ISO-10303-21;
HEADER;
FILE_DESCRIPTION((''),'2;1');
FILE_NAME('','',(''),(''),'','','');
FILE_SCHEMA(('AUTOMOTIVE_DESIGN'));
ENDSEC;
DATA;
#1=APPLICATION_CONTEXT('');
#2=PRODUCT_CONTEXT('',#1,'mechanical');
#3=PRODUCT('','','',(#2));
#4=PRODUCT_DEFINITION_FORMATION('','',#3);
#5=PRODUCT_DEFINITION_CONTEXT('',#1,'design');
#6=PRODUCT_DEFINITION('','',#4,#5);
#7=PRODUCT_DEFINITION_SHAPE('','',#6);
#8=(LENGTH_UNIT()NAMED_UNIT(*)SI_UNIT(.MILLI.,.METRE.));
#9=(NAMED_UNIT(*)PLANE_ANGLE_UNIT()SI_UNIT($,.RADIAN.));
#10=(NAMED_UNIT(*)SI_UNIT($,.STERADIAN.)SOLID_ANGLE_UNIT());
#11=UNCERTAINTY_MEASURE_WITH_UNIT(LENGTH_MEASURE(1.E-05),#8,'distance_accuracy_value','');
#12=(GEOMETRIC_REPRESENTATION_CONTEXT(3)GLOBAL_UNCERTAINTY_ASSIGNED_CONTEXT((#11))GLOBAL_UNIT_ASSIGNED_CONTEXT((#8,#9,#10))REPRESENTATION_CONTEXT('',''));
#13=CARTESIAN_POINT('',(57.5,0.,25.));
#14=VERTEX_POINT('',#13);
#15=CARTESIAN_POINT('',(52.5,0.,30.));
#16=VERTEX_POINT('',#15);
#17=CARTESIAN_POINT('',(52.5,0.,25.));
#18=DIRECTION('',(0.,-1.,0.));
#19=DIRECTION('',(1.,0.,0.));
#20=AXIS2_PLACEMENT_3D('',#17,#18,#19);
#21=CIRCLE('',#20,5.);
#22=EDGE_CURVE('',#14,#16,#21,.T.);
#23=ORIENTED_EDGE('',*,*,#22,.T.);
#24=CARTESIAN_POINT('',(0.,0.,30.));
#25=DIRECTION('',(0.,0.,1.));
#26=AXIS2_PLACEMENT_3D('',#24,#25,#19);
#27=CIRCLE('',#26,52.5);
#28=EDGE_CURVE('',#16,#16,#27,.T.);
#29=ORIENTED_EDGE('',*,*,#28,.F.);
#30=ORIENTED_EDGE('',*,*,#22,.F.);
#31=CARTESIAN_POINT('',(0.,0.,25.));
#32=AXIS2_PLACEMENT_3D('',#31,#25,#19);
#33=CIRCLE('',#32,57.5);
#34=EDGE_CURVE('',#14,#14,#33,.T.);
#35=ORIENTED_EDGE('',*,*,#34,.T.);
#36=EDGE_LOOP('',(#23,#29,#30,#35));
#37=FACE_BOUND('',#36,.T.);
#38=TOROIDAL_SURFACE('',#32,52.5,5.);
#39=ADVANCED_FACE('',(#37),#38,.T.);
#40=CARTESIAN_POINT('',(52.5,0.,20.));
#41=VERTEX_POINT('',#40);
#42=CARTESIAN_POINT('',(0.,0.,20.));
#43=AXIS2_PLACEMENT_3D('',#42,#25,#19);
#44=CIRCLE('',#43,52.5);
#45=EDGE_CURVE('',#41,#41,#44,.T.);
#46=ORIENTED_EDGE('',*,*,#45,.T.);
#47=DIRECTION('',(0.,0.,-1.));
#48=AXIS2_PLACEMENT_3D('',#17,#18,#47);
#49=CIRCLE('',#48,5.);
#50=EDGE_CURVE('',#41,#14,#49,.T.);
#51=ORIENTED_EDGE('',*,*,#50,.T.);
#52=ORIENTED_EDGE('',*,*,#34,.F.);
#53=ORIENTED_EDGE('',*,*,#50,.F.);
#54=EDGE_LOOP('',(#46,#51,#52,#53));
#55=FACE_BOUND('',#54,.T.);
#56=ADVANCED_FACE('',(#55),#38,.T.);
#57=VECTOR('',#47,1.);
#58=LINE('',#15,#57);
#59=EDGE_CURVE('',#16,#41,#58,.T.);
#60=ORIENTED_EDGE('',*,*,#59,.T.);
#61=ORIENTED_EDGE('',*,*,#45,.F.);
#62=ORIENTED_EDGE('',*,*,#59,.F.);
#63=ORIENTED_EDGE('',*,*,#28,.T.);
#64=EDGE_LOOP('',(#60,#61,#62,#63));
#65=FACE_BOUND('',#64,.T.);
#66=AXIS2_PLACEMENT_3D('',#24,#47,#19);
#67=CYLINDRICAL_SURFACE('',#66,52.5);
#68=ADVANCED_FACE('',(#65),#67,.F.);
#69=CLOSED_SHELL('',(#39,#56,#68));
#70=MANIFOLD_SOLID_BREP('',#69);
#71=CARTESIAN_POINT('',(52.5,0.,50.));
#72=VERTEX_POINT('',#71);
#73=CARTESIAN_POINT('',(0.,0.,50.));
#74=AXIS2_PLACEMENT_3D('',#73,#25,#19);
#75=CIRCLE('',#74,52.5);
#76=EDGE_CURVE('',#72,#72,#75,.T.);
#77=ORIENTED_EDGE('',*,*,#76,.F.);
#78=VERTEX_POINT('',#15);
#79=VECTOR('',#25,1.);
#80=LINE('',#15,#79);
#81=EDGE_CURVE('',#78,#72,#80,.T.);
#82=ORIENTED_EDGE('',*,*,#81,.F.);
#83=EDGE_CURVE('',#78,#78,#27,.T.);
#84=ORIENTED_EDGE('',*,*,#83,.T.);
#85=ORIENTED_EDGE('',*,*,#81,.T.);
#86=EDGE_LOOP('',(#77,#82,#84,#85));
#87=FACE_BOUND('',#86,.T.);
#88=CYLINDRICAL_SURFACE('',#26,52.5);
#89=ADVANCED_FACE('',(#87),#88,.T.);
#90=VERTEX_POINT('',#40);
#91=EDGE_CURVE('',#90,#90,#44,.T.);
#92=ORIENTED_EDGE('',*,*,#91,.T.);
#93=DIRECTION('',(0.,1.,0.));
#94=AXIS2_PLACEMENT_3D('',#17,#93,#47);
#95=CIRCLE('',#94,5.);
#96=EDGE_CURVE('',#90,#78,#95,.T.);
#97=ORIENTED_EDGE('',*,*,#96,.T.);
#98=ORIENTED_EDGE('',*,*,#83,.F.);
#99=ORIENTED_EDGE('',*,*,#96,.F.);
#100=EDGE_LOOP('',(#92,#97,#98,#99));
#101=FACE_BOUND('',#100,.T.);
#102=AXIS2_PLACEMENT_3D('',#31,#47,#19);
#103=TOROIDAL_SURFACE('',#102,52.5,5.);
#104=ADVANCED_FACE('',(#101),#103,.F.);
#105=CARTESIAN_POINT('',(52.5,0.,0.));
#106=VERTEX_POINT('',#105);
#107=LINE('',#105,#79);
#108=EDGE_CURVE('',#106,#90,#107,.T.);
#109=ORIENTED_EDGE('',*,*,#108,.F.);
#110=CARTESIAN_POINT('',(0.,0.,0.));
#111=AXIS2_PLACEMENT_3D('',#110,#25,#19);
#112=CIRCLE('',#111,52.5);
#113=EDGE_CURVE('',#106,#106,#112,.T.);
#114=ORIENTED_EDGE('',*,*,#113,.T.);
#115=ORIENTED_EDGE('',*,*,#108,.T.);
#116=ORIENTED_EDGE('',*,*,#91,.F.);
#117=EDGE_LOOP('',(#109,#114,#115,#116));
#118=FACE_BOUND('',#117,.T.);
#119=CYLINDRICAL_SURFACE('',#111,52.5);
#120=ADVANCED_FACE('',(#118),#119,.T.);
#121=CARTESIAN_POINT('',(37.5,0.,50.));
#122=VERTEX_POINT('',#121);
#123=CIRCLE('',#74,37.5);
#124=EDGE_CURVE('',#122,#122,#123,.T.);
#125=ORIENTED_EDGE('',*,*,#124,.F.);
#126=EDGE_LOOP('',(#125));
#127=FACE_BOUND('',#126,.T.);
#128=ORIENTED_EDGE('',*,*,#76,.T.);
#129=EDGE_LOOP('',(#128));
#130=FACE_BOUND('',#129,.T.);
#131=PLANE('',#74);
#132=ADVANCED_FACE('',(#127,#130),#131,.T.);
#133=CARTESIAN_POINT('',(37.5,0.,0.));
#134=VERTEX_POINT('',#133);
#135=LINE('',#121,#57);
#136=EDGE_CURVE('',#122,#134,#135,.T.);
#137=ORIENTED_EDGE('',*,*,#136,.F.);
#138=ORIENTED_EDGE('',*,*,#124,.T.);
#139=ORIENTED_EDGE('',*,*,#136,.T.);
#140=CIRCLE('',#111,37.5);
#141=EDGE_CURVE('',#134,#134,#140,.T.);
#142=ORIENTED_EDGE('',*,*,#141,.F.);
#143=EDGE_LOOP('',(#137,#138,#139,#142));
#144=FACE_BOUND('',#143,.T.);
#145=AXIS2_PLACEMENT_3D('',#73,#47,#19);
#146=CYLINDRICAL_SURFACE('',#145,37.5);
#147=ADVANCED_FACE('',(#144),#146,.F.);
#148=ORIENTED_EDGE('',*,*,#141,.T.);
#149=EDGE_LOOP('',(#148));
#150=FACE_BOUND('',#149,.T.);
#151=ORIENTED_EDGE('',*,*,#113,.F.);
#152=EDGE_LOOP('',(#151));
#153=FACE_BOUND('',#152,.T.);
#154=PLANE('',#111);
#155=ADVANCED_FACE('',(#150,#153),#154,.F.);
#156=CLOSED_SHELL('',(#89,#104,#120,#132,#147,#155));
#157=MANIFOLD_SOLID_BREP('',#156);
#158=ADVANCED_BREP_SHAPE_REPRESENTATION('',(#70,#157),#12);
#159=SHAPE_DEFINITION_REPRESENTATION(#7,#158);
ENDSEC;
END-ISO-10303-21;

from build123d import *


with BuildPart() as f1:
    # F0 (on Front) → F1 (revolve)
    with BuildSketch(Plane.XZ):
        with BuildLine():
            Line((37.5, 50), (37.5, 0))
            Line((37.5, 0), (52.5, 0))
            Line((52.5, 0), (52.5, 20))
            ThreePointArc((52.5, 20), (47.5, 25), (52.5, 30))
            Line((52.5, 30), (52.5, 50))
            Line((52.5, 50), (37.5, 50))
        make_face()
    revolve(axis=Axis((0, 0, 25), (0, 0, 1)))


with BuildPart() as f1b:
    # F0 (on Front) → F1, piece 2 (revolve)
    with BuildSketch(Plane.XZ):
        with BuildLine():
            Line((52.5, 30), (52.5, 20))
            ThreePointArc((52.5, 20), (56.0355339059, 21.4644660941), (57.5, 25))
            ThreePointArc((57.5, 25), (56.0355339059, 28.5355339059), (52.5, 30))
        make_face()
    revolve(axis=Axis((0, 0, 25), (0, 0, 1)))


solid = Compound([f1.part, f1b.part])
